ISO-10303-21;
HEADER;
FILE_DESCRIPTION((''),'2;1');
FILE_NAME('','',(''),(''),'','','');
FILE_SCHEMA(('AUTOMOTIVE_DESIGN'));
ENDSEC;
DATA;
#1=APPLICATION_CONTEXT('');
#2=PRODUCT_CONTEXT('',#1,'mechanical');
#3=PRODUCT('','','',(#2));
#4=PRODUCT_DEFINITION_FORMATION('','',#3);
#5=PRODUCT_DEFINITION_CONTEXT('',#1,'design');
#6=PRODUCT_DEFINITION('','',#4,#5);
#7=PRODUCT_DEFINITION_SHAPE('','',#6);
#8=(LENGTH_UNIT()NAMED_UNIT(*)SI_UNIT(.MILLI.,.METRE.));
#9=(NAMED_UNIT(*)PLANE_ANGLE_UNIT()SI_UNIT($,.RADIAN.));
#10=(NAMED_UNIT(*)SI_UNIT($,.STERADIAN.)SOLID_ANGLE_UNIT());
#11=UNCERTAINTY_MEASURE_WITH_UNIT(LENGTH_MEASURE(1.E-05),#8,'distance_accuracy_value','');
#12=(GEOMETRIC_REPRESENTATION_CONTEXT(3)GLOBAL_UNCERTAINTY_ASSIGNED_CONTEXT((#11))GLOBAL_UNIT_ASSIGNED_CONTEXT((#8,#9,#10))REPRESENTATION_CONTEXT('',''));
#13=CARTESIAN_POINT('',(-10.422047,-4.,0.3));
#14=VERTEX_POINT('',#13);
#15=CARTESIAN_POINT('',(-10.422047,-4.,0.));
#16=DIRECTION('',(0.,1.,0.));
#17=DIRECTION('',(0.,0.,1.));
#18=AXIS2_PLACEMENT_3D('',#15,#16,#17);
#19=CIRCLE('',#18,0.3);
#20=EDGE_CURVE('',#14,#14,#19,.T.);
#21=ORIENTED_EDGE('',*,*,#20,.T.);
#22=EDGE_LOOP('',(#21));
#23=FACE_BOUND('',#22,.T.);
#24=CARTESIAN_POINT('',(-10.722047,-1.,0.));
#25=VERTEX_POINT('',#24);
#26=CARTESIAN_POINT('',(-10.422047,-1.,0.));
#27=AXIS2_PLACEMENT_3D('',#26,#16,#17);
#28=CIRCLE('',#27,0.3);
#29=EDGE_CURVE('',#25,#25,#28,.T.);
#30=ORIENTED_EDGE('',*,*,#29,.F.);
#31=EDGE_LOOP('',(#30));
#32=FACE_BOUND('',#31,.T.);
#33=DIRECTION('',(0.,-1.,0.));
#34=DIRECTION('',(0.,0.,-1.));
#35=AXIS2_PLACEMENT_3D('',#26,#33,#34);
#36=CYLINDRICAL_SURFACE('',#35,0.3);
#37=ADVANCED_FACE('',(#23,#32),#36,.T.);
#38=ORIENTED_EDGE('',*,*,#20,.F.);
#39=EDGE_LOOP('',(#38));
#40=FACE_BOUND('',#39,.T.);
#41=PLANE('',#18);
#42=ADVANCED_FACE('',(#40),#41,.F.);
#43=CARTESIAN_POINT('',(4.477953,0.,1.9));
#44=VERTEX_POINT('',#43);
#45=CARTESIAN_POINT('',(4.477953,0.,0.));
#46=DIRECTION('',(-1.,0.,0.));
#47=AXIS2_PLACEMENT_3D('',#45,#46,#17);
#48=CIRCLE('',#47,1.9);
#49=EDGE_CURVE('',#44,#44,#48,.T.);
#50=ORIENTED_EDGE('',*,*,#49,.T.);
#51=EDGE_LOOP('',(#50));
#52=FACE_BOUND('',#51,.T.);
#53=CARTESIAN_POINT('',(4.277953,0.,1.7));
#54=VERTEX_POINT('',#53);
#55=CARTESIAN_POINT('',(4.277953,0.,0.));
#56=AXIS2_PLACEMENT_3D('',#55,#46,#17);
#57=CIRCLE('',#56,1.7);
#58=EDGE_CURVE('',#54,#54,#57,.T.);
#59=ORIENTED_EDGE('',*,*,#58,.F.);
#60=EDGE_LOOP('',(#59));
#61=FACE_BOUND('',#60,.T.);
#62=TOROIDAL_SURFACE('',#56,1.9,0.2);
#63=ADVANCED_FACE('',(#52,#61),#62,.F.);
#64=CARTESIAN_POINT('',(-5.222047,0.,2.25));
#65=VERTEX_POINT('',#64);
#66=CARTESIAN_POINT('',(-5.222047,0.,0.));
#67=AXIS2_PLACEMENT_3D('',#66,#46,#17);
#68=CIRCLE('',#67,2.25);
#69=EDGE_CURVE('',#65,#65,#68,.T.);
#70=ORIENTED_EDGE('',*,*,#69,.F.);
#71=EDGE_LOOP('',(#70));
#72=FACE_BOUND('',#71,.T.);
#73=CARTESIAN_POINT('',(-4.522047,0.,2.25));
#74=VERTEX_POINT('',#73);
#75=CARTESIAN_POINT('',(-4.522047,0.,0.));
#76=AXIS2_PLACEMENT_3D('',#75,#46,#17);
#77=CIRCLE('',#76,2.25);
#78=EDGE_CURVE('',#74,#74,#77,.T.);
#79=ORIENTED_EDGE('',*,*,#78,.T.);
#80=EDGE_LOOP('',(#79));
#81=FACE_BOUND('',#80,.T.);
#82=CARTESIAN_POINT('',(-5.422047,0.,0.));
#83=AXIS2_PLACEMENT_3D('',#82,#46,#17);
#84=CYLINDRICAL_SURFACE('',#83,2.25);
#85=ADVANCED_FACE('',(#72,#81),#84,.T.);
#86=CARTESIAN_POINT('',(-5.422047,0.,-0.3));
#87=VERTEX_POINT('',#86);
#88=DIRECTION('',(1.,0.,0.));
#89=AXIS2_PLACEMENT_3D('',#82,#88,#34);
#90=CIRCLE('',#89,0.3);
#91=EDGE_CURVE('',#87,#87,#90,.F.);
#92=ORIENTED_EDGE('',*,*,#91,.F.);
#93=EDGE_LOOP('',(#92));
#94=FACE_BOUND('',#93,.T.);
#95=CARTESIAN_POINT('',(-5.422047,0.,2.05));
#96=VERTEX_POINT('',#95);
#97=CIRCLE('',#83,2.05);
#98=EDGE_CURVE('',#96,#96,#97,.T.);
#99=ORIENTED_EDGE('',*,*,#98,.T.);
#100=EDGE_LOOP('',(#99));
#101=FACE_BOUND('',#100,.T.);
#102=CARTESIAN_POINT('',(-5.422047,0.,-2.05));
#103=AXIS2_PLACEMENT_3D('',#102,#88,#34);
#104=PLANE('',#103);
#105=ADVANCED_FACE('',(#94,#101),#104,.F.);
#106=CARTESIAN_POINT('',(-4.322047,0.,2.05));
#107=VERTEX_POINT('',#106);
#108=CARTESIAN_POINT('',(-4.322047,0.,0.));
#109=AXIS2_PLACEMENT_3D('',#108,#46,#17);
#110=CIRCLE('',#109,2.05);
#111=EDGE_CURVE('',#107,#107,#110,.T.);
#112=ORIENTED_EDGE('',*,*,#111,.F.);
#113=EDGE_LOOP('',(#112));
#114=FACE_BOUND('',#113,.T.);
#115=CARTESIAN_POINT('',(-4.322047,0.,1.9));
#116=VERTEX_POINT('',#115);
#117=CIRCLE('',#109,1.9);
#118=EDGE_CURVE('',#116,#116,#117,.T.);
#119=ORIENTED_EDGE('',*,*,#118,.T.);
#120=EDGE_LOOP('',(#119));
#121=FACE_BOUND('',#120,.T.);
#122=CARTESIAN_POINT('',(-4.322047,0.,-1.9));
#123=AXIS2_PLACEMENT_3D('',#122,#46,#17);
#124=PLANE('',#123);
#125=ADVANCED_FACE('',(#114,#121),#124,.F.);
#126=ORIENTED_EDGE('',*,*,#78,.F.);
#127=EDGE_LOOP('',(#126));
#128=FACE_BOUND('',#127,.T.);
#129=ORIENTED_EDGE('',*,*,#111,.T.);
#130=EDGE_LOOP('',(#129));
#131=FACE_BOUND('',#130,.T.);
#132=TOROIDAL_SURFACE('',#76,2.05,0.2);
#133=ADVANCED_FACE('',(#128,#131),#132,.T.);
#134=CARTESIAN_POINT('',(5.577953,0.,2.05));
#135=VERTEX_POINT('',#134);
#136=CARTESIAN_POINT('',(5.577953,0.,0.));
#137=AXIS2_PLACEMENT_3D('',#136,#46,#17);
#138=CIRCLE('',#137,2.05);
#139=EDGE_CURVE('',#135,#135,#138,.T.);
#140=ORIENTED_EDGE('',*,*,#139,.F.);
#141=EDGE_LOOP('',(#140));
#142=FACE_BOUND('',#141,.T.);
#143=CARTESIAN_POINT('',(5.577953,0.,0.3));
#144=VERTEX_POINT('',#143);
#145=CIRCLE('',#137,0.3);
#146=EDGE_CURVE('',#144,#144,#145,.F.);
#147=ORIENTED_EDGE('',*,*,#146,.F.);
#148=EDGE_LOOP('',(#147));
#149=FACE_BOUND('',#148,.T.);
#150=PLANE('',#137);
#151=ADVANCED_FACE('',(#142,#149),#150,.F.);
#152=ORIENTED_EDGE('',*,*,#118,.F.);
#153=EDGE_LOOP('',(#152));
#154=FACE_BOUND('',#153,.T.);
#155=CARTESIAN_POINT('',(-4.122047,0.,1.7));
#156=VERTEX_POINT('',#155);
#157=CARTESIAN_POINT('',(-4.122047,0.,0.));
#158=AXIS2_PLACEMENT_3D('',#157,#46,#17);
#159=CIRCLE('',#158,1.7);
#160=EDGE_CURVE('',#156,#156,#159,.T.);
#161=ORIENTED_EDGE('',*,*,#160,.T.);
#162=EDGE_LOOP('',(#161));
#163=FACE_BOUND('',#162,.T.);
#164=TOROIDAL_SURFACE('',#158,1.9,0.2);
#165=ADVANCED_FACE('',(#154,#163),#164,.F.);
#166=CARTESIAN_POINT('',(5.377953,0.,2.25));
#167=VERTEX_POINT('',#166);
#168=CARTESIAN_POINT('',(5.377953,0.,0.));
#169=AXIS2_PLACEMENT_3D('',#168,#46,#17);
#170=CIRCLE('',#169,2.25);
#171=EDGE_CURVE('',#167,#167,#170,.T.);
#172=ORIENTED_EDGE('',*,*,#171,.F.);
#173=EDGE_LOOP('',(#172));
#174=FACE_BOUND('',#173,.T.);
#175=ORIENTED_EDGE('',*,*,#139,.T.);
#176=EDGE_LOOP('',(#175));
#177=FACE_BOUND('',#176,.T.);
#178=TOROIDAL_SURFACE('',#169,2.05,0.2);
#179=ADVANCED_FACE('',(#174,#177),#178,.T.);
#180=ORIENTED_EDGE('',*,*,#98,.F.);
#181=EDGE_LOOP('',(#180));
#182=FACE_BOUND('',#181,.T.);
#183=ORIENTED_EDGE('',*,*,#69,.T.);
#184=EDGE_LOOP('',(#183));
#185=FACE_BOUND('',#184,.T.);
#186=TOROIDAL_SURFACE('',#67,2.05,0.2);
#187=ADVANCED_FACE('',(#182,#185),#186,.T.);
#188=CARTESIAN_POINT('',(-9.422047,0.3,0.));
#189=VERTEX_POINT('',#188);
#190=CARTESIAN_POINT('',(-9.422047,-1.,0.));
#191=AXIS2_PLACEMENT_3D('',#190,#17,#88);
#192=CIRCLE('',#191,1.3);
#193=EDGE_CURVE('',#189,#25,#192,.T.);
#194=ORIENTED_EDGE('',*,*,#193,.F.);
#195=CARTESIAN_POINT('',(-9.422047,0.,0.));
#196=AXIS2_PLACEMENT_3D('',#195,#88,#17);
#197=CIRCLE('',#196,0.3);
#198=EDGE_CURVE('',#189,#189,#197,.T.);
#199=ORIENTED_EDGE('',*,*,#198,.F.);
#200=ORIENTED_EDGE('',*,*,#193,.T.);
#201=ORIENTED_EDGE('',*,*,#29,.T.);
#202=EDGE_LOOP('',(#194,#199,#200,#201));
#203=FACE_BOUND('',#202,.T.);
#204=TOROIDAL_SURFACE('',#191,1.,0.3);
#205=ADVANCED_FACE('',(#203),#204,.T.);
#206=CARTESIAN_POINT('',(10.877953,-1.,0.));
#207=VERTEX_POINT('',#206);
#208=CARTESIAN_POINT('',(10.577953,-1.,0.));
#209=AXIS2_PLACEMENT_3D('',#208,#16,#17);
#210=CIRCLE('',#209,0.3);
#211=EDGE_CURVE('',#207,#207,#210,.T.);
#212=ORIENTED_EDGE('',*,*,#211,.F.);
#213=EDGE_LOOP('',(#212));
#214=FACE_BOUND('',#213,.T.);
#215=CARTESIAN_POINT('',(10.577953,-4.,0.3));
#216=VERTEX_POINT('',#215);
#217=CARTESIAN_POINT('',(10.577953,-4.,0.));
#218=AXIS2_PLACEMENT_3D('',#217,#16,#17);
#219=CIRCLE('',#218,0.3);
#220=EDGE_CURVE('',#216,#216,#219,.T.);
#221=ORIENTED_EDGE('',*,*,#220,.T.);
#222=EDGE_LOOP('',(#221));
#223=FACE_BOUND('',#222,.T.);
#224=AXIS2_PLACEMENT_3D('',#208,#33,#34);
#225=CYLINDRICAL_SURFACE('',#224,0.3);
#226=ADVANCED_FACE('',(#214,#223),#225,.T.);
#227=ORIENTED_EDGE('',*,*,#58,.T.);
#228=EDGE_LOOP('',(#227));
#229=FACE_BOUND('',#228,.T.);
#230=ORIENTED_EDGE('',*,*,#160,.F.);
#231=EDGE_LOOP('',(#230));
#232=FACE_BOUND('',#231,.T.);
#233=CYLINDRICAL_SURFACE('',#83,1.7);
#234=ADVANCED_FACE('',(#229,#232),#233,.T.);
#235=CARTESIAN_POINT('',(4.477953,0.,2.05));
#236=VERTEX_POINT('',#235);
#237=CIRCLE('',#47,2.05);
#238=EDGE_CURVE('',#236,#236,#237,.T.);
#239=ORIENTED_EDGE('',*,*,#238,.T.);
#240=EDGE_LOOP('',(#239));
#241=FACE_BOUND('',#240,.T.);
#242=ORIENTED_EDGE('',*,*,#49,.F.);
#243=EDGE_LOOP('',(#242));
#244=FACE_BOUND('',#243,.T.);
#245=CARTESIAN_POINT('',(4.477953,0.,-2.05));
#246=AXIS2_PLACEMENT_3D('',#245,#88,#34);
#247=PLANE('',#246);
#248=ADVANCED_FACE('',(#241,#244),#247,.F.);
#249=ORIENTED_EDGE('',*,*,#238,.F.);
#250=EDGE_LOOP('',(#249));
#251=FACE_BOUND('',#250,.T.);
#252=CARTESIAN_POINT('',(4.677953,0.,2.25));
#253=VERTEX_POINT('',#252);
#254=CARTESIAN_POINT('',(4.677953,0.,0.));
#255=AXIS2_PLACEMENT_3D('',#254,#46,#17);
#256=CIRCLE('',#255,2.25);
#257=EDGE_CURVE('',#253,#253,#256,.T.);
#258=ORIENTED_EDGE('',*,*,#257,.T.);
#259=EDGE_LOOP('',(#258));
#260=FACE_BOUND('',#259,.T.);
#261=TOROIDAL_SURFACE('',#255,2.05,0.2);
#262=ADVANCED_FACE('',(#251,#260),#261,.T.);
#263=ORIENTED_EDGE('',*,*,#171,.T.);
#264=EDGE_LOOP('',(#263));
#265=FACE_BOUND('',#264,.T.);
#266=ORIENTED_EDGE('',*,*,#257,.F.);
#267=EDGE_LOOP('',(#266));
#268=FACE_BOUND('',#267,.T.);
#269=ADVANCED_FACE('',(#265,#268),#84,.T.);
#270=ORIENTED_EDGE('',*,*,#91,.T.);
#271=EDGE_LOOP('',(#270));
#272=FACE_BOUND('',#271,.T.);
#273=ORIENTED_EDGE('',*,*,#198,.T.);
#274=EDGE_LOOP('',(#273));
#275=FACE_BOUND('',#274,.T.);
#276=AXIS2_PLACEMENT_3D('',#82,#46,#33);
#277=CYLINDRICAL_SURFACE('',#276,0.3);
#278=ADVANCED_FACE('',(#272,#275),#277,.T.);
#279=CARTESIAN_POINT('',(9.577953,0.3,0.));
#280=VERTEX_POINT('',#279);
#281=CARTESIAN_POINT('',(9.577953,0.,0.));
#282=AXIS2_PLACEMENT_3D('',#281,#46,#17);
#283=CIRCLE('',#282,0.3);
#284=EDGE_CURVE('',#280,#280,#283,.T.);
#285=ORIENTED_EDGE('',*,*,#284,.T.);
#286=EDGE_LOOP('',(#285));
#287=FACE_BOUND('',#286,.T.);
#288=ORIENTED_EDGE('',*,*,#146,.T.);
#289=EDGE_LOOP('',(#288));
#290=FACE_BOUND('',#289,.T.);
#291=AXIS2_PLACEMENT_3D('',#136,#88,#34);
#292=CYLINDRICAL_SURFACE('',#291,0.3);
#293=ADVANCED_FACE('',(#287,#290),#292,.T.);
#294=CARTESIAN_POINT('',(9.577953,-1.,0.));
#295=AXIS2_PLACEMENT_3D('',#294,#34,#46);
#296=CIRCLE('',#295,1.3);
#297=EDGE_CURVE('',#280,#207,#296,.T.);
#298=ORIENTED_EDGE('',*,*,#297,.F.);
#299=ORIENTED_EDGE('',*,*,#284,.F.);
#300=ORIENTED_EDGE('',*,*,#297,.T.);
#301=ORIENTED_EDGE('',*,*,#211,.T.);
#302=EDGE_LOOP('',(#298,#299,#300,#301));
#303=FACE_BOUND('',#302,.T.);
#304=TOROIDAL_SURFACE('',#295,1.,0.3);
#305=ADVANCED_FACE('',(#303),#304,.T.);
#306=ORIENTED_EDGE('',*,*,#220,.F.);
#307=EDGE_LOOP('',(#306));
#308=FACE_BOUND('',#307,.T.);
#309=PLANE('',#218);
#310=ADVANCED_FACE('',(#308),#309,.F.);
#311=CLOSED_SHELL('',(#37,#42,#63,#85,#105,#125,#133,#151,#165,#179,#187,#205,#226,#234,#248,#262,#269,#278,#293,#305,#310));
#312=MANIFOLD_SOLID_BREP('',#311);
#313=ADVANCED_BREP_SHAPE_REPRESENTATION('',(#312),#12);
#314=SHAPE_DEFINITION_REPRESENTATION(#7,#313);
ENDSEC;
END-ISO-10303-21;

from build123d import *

# Parameters (mm, degrees)
SWEEP_4_PROFILE_R = 0.3
SWEEP_5_PROFILE_R = 0.3


with BuildPart() as part:
    # Эскиз2 → Повернуть7 (revolve)
    with BuildSketch(Plane(origin=(0, 0, 0), x_dir=(1, 0, 0), z_dir=(0, 1, 0))):
        with BuildLine():
            Line((-5.422047244, 0), (5.577952756, 0))
            Line((5.577952756, 0), (5.577952756, 2.05))
            ThreePointArc((5.577952756, 2.05), (5.519374112, 2.191421356), (5.377952756, 2.25))
            Line((5.377952756, 2.25), (4.677952756, 2.25))
            ThreePointArc((4.677952756, 2.25), (4.5365314, 2.191421356), (4.477952756, 2.05))
            Line((4.477952756, 2.05), (4.477952756, 1.9))
            ThreePointArc((4.477952756, 1.9), (4.419374112, 1.758578644), (4.277952756, 1.7))
            Line((4.277952756, 1.7), (-4.122047244, 1.7))
            ThreePointArc((-4.122047244, 1.7), (-4.2634686, 1.758578644), (-4.322047244, 1.9))
            Line((-4.322047244, 1.9), (-4.322047244, 2.05))
            ThreePointArc((-4.322047244, 2.05), (-4.380625888, 2.191421356), (-4.522047244, 2.25))
            Line((-4.522047244, 2.25), (-5.222047244, 2.25))
            ThreePointArc((-5.222047244, 2.25), (-5.3634686, 2.191421356), (-5.422047244, 2.05))
            Line((-5.422047244, 2.05), (-5.422047244, 0))
        make_face()
    revolve(axis=Axis((-5.422047244, 0, 0), (1, 0, 0)))

    # По траектории4: sweep along a path in Эскиз47
    with BuildLine(Plane.XY) as sweep_4_path:
        Line((-5.422047244, 0), (-9.422047244, 0))
        ThreePointArc((-9.422047244, 0), (-10.129154025, -0.292893219), (-10.422047244, -1))
        Line((-10.422047244, -1), (-10.422047244, -4))
    # По траектории4 profile (on start of the path) → По траектории4 (sweep)
    with BuildSketch(Plane(origin=(-5.422047244, 0, 0), x_dir=(0, -1, 0), z_dir=(-1, 0, 0))):
        Circle(SWEEP_4_PROFILE_R)
    sweep(path=sweep_4_path.line)

    # По траектории5: sweep along a path in Эскиз92
    with BuildLine(Plane.XY) as sweep_5_path:
        Line((5.577952756, 0), (9.577952756, 0))
        ThreePointArc((9.577952756, 0), (10.285059537, -0.292893219), (10.577952756, -1))
        Line((10.577952756, -1), (10.577952756, -4))
    # По траектории5 profile (on start of the path) → По траектории5 (sweep)
    with BuildSketch(Plane(origin=(5.577952756, 0, 0), x_dir=(0, 0, 1), z_dir=(1, 0, 0))):
        Circle(SWEEP_5_PROFILE_R)
    sweep(path=sweep_5_path.line)


solid = part.part
